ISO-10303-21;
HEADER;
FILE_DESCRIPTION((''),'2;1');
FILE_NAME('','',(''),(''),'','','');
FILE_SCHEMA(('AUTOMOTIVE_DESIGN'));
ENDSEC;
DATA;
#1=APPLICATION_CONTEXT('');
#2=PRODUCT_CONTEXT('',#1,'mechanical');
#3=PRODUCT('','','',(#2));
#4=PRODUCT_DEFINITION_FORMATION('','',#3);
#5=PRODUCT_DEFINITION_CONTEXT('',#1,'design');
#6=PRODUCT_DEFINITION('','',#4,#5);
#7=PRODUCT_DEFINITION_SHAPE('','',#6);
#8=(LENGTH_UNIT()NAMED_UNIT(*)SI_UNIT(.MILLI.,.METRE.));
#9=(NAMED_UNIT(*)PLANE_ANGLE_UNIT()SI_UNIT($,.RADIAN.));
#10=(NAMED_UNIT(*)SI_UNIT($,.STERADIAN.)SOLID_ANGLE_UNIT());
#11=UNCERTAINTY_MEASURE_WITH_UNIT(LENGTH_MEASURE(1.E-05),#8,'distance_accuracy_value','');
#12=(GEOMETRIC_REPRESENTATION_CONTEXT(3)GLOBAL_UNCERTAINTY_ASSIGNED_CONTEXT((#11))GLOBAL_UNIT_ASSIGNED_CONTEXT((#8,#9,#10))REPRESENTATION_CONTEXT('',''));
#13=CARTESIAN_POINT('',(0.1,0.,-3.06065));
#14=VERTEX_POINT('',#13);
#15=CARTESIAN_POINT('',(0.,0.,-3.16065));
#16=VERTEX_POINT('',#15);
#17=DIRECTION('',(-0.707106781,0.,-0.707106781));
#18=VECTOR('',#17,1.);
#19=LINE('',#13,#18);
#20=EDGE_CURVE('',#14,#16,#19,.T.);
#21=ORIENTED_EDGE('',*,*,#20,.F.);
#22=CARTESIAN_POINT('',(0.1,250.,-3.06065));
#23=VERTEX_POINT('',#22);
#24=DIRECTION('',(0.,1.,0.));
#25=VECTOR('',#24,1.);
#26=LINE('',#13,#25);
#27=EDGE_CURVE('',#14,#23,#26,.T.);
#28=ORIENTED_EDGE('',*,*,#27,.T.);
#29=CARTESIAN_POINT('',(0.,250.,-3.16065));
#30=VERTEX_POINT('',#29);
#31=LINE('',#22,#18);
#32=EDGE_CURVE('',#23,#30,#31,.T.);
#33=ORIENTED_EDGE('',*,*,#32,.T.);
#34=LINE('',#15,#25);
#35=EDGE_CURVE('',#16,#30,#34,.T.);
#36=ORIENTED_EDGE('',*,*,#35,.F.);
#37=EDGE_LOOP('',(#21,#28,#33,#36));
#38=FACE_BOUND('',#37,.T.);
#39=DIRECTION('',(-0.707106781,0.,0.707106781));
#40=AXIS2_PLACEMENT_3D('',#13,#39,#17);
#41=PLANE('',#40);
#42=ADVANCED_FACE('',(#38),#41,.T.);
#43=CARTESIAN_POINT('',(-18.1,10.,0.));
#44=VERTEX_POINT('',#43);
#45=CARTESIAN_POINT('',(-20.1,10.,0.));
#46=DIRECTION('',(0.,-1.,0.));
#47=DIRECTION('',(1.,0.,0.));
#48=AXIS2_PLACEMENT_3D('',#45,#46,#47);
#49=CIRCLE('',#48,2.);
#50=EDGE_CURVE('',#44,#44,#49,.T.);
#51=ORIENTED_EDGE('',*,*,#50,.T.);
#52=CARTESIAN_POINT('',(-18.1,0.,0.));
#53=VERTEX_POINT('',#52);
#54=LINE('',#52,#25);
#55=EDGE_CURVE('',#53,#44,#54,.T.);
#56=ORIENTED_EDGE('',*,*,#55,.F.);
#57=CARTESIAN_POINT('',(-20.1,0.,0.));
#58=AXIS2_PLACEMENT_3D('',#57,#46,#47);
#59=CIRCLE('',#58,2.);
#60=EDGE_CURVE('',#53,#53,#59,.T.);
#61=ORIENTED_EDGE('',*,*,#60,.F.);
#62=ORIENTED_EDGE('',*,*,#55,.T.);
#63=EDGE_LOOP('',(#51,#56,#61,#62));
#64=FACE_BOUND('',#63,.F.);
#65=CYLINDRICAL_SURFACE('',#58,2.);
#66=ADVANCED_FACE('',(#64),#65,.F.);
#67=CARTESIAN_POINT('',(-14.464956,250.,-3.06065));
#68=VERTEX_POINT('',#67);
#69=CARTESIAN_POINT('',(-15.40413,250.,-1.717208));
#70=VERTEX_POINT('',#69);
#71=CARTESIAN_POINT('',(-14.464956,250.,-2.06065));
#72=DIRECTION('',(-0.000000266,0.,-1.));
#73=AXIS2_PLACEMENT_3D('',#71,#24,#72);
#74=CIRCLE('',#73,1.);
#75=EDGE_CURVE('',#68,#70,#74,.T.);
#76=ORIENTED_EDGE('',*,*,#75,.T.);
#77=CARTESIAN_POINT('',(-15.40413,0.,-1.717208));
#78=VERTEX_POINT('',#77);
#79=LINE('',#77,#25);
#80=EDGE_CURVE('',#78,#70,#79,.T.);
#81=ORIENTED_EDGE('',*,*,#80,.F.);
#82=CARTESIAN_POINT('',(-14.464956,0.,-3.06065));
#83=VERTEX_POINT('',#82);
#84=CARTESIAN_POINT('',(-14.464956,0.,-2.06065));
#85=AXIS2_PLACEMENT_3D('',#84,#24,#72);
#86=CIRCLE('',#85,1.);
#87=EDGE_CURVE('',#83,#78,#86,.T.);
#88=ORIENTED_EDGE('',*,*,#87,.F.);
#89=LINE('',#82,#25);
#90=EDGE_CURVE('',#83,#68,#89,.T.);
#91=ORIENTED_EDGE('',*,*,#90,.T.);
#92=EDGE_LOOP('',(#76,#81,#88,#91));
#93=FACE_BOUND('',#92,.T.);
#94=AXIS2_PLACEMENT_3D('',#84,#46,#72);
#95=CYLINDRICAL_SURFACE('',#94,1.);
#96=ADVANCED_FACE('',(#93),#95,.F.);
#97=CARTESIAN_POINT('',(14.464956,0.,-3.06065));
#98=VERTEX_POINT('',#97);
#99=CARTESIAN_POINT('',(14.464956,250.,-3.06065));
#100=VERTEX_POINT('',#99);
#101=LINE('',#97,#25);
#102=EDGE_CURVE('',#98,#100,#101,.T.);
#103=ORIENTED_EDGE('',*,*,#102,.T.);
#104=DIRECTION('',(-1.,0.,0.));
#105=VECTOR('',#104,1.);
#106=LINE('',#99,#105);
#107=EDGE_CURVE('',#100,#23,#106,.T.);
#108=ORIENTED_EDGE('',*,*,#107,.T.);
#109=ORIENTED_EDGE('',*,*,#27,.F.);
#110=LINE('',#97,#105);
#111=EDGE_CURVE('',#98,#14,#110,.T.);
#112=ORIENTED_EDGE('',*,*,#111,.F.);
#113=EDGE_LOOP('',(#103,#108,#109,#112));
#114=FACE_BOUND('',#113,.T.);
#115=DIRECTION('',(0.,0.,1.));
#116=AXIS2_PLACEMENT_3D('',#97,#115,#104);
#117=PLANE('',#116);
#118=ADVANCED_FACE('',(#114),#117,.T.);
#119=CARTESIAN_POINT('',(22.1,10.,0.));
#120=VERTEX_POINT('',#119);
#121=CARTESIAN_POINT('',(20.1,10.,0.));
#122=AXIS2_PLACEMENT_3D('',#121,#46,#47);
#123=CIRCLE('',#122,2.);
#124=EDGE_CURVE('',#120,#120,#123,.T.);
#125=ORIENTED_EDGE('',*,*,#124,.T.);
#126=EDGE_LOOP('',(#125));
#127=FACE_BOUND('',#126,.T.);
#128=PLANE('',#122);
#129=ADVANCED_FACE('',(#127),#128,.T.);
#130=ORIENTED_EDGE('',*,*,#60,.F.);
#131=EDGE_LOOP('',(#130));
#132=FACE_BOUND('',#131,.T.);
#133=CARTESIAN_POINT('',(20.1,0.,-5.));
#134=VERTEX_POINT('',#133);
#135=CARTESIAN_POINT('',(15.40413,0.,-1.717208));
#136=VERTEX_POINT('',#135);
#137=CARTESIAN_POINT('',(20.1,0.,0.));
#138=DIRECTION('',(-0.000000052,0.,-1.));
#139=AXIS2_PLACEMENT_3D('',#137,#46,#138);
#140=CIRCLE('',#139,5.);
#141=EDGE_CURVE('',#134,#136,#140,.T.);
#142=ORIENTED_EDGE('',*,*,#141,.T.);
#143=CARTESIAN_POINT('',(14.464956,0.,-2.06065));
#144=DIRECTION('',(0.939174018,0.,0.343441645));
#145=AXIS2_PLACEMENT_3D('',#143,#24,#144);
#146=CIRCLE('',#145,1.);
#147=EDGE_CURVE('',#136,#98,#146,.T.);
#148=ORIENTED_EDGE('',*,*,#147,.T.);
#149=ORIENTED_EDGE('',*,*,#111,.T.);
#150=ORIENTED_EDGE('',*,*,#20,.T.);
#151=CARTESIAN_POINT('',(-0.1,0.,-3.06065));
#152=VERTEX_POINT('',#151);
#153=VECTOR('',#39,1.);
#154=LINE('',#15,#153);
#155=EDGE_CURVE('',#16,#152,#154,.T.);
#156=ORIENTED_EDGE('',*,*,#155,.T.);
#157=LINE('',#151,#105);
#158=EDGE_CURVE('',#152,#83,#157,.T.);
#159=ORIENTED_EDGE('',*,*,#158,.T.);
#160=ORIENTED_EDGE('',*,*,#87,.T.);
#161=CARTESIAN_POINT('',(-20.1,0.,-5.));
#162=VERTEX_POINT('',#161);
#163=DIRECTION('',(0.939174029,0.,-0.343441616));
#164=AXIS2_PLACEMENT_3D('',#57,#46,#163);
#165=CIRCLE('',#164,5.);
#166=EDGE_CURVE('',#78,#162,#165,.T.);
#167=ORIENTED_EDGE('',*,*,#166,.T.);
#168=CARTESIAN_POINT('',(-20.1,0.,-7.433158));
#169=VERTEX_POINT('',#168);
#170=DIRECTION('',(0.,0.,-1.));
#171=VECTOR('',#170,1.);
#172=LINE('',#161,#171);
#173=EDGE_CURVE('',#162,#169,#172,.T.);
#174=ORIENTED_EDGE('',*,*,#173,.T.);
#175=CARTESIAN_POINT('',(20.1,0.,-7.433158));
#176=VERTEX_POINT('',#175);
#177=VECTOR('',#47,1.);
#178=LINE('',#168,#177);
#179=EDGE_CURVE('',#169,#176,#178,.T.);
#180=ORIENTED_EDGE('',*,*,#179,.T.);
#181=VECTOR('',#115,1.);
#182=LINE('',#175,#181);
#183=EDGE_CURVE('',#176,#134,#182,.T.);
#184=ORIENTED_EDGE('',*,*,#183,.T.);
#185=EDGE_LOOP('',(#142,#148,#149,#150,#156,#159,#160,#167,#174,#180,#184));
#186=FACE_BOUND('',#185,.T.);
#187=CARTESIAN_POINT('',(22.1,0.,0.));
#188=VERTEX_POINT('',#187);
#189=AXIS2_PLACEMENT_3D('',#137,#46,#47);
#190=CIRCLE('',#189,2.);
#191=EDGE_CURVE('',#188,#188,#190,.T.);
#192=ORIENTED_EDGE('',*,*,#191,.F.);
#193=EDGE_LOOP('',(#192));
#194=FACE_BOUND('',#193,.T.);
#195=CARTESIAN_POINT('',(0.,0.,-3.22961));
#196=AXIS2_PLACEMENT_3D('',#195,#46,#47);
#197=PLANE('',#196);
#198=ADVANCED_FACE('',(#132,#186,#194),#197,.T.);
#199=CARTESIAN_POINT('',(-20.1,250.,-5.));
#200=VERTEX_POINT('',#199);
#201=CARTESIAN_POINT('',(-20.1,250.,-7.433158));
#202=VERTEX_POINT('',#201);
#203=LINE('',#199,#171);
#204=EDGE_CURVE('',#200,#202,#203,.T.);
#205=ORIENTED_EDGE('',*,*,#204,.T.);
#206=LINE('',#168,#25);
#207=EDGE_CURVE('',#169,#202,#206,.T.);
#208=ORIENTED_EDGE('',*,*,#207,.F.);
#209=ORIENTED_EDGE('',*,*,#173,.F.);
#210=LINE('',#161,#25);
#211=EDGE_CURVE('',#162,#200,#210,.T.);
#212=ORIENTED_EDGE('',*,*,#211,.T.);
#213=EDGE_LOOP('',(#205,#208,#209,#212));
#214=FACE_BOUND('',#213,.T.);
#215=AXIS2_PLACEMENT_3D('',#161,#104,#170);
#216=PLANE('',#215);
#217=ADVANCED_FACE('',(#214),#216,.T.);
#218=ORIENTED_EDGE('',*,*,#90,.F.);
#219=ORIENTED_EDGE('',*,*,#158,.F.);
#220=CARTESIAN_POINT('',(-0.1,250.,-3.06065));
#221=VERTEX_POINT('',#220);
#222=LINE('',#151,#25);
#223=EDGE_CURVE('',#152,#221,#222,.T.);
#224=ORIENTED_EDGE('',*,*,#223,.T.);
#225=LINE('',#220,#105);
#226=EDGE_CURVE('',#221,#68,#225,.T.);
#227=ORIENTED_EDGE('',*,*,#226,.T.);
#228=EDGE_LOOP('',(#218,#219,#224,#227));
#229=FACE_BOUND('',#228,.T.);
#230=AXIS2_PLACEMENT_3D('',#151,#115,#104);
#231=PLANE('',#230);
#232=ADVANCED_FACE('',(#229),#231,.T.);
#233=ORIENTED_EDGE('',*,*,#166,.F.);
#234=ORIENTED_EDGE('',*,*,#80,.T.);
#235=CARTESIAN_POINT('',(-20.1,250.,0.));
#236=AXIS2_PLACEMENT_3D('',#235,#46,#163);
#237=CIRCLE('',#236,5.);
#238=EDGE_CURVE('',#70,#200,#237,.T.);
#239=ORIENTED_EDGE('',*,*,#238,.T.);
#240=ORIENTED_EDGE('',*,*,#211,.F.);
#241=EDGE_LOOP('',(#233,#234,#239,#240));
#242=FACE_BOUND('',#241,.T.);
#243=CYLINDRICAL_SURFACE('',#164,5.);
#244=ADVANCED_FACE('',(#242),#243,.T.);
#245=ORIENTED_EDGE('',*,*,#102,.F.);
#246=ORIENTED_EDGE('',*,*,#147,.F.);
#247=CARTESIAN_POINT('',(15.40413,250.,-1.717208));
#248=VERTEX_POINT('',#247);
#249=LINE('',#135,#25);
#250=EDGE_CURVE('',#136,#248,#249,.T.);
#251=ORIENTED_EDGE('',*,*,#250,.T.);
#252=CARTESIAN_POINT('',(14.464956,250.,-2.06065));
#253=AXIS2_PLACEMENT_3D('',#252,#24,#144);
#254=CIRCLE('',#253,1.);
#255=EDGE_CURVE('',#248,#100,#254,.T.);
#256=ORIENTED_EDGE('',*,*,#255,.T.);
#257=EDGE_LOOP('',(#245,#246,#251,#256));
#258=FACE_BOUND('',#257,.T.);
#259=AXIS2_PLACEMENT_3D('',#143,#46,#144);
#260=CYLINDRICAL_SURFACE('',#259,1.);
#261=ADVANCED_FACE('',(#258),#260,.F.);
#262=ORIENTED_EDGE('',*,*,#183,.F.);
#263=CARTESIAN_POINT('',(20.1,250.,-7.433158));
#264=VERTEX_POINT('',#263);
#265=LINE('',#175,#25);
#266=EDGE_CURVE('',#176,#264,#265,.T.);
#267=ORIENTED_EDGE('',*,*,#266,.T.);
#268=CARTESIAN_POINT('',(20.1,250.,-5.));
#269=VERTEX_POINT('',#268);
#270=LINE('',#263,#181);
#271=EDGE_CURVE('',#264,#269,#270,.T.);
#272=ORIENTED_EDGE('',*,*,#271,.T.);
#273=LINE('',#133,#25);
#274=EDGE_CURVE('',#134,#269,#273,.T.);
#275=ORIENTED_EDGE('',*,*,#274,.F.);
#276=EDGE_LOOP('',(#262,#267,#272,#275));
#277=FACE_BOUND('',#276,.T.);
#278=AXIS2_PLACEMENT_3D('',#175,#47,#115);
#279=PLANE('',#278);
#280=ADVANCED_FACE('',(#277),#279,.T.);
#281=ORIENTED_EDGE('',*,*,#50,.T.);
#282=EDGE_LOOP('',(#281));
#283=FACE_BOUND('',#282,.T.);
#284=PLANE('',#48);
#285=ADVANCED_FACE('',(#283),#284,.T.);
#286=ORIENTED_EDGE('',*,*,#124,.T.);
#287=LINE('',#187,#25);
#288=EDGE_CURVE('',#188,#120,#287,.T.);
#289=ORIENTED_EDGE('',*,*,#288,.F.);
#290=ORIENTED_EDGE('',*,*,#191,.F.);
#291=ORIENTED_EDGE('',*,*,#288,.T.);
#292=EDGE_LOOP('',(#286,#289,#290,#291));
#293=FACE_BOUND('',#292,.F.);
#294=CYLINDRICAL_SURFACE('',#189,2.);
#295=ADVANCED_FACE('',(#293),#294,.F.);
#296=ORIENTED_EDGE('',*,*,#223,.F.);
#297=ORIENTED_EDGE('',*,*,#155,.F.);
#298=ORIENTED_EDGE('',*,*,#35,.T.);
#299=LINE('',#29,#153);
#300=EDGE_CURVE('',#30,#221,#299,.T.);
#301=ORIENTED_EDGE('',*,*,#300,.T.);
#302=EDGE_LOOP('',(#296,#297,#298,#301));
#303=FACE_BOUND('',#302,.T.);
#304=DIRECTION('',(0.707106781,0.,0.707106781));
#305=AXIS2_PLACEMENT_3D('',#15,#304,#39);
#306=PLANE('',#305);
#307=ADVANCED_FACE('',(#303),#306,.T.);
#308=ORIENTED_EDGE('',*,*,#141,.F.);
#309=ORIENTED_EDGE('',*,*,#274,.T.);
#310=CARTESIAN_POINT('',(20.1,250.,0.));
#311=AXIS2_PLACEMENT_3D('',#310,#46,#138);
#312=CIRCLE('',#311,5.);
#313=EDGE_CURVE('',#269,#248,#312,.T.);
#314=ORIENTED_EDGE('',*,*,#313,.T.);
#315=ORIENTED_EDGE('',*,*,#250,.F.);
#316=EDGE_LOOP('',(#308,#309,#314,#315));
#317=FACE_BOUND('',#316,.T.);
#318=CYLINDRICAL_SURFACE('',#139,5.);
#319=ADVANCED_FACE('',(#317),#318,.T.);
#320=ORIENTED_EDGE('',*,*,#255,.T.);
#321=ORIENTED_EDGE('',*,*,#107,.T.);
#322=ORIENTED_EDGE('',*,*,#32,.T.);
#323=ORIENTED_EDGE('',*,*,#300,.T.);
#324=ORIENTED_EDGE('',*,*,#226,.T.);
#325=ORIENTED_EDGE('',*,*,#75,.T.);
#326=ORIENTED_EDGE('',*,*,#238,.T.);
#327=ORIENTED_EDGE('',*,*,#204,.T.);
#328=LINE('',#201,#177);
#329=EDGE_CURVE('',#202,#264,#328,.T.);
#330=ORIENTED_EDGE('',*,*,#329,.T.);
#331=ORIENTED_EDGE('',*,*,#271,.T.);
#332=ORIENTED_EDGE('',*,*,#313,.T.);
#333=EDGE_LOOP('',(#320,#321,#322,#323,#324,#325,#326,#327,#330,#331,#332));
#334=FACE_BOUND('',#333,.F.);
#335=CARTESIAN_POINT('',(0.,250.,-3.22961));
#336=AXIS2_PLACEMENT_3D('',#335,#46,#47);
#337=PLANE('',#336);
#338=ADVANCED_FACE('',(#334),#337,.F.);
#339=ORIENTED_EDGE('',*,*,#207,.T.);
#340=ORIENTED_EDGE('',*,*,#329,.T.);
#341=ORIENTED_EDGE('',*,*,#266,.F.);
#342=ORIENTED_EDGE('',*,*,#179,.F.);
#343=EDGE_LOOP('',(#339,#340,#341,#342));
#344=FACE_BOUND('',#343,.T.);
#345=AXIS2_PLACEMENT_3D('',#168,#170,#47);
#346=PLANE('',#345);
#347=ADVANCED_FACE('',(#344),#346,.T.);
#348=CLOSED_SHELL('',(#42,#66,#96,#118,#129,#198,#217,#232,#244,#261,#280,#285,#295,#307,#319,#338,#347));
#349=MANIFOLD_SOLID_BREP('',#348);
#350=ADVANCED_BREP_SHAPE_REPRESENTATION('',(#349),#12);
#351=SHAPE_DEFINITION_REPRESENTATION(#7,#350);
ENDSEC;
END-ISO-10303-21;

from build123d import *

# Parameters (mm, degrees)
F1_DEPTH = 250
F2_R     = 2
F3_DEPTH = 10


with BuildPart() as f1:
    # F0 (on Front) → F1 (new body)
    with BuildSketch(Plane.XZ):
        with BuildLine():
            ThreePointArc((-14.464956, -3.06065), (-15.284542, -2.633606), (-15.40413, -1.717208))
            ThreePointArc((-15.40413, -1.717208), (-22.964783, 4.097929), (-20.1, -5))
            Line((-20.1, -5), (-20.1, -7.433158))
            Line((-20.1, -7.433158), (20.1, -7.433158))
            Line((20.1, -7.433158), (20.1, -5))
            ThreePointArc((20.1, -5), (22.964783, 4.097929), (15.40413, -1.717208))
            ThreePointArc((15.40413, -1.717208), (15.284542, -2.633606), (14.464956, -3.06065))
            Line((14.464956, -3.06065), (0.1, -3.06065))
            Line((0.1, -3.06065), (0, -3.16065))
            Line((0, -3.16065), (-0.1, -3.06065))
            Line((-0.1, -3.06065), (-14.464956, -3.06065))
        make_face()
    extrude(amount=-F1_DEPTH)

    # F2 (on face) → F3 (cut)
    with BuildSketch(Plane.XZ):
        with Locations((-20.1, 0)):
            Circle(F2_R)
        with Locations((20.1, 0)):
            Circle(F2_R)
    extrude(amount=-F3_DEPTH, mode=Mode.SUBTRACT)


solid = f1.part
